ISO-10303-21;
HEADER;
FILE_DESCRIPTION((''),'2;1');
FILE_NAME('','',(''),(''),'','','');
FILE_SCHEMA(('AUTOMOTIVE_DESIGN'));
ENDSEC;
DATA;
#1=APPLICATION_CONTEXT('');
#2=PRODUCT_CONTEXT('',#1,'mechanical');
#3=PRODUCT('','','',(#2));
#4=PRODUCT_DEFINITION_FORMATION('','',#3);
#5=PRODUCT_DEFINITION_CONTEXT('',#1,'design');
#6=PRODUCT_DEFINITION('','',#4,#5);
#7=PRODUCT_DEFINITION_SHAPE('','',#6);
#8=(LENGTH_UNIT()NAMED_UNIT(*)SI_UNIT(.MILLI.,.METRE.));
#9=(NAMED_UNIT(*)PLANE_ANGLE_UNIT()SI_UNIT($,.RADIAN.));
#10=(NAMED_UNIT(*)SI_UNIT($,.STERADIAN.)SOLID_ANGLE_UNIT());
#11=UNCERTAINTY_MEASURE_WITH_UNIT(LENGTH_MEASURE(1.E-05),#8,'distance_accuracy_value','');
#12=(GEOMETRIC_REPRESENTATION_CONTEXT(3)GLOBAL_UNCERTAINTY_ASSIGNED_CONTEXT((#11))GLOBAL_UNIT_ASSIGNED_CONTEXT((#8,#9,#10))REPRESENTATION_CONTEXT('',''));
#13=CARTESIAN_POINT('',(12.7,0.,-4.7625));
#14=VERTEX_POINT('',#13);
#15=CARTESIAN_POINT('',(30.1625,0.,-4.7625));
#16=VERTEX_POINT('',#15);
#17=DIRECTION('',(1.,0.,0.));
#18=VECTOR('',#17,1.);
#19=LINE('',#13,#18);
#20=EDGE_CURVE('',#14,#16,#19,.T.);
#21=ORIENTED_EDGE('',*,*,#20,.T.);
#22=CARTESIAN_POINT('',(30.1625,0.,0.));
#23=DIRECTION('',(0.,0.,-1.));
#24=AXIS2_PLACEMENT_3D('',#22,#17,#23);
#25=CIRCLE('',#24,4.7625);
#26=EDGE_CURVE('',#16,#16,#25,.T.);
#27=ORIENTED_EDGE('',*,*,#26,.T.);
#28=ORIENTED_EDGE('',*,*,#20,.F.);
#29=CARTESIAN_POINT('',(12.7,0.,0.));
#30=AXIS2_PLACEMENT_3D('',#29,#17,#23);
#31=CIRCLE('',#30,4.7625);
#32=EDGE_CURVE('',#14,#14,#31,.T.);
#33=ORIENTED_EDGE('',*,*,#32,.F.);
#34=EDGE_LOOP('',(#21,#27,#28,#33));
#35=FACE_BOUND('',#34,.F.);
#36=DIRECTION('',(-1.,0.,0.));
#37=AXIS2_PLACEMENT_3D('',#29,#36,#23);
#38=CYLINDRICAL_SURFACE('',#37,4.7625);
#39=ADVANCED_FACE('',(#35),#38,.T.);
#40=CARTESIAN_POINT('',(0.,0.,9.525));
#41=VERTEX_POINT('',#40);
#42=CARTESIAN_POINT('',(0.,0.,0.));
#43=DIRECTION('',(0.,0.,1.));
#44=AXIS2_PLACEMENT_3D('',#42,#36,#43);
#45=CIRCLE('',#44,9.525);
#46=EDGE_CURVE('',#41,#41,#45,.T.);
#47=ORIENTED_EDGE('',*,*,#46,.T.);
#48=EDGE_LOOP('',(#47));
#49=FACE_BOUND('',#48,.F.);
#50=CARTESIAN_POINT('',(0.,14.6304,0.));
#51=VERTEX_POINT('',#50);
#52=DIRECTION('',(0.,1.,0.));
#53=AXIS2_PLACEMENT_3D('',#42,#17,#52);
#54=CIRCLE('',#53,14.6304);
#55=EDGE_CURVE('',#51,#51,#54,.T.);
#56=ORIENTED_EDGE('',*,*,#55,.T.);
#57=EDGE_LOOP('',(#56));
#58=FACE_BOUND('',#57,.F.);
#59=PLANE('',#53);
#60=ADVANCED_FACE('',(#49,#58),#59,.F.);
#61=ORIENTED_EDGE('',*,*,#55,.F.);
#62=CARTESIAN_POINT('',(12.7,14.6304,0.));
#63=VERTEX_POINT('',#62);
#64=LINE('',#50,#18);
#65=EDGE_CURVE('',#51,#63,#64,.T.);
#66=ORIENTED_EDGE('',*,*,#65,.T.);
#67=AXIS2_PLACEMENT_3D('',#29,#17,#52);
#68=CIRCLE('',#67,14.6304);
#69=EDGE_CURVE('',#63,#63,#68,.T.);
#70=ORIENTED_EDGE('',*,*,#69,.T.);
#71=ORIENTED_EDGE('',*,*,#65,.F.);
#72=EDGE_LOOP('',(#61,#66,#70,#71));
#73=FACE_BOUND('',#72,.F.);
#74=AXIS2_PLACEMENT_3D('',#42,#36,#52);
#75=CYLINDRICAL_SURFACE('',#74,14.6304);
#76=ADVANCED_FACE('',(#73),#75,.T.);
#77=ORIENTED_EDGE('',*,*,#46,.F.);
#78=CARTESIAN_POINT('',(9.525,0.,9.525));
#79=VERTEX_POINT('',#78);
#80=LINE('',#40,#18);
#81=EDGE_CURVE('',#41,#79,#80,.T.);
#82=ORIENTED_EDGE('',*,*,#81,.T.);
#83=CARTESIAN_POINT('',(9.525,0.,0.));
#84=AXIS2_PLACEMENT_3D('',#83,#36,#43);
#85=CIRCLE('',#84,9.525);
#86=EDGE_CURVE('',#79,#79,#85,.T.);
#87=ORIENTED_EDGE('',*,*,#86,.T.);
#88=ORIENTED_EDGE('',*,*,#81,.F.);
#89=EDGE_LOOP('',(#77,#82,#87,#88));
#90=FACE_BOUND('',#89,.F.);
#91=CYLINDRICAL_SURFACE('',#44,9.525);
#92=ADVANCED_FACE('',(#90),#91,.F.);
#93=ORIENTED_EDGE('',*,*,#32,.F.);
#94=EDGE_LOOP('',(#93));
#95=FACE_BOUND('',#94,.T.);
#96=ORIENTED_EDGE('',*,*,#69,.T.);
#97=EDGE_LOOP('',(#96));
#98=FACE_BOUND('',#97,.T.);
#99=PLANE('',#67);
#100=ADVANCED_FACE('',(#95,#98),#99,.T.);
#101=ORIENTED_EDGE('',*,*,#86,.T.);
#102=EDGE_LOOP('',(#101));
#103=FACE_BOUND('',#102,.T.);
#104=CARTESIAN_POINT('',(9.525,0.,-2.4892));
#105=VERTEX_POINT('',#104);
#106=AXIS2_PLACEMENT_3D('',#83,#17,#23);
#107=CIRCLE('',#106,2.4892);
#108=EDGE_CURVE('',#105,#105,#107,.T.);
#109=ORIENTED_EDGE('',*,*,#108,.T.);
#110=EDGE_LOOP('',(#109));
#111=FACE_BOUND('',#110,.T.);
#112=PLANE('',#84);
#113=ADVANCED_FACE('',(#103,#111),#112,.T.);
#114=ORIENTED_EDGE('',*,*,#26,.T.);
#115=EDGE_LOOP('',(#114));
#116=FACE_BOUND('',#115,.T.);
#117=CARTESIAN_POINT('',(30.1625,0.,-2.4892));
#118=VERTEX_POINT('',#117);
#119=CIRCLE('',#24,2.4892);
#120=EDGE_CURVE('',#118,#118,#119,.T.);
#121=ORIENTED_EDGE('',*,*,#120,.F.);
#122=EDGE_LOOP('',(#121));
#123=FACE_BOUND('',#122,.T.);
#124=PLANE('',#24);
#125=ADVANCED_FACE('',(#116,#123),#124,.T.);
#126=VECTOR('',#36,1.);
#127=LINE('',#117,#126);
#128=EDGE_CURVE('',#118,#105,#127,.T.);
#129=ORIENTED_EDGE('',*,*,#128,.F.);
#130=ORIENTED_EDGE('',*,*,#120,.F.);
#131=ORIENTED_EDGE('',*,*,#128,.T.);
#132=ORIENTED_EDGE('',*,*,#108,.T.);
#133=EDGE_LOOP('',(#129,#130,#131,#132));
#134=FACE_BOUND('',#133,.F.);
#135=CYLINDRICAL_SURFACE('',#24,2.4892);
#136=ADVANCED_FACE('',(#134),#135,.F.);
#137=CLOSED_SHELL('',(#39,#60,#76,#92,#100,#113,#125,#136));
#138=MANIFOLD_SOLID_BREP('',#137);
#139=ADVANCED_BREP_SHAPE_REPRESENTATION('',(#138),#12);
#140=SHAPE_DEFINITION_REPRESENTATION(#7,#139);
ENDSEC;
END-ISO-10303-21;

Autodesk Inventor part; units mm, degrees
ref_plane "YZ Plane" through (0, 0, 0) normal (1, 0, 0) x (0, 1, 0)
ref_plane "XZ Plane" through (0, 0, 0) normal (0, 1, 0) x (-1, 0, 0)
ref_plane "XY Plane" through (0, 0, 0) normal (0, 0, 1) x (1, 0, 0)
sketch "Sketch3" plane through (0, 0, 0) normal (1, 0, 0) x (0, 1, 0)
  circle A0 centre (0, 0) radius 15.875 construction
  circle A1 centre (0, 0) radius 14.6304
  dimension "d8" = 31.75
  dimension "d9" = 1.2446
extrude "Extrusion3" add sketch "Sketch3" along normal blind 12.7
sketch "Sketch4" plane through (12.7, 0, 0) normal (1, 0, 0) x (0, 0, -1)
  circle A0 centre (0, 0) radius 4.7625
  dimension "d12" = 9.525
extrude "Extrusion4" add sketch "Sketch4" along normal blind 17.4625
sketch "Sketch5" plane through (30.1625, 0, 0) normal (1, 0, 0) x (0, 0, -1)
  circle A0 centre (0, 0) radius 2.4892
  dimension "d15" = 4.9784
extrude "Extrusion5" cut sketch "Sketch5" against normal through all
sketch "Sketch6" plane through (0, 0, 0) normal (-1, 0, 0) x (0, 0, 1)
  circle A0 centre (0, 0) radius 9.525
  dimension "d18" = 19.05
extrude "Extrusion6" cut sketch "Sketch6" against normal blind 9.525
properties part number "Long roller plug 2"
